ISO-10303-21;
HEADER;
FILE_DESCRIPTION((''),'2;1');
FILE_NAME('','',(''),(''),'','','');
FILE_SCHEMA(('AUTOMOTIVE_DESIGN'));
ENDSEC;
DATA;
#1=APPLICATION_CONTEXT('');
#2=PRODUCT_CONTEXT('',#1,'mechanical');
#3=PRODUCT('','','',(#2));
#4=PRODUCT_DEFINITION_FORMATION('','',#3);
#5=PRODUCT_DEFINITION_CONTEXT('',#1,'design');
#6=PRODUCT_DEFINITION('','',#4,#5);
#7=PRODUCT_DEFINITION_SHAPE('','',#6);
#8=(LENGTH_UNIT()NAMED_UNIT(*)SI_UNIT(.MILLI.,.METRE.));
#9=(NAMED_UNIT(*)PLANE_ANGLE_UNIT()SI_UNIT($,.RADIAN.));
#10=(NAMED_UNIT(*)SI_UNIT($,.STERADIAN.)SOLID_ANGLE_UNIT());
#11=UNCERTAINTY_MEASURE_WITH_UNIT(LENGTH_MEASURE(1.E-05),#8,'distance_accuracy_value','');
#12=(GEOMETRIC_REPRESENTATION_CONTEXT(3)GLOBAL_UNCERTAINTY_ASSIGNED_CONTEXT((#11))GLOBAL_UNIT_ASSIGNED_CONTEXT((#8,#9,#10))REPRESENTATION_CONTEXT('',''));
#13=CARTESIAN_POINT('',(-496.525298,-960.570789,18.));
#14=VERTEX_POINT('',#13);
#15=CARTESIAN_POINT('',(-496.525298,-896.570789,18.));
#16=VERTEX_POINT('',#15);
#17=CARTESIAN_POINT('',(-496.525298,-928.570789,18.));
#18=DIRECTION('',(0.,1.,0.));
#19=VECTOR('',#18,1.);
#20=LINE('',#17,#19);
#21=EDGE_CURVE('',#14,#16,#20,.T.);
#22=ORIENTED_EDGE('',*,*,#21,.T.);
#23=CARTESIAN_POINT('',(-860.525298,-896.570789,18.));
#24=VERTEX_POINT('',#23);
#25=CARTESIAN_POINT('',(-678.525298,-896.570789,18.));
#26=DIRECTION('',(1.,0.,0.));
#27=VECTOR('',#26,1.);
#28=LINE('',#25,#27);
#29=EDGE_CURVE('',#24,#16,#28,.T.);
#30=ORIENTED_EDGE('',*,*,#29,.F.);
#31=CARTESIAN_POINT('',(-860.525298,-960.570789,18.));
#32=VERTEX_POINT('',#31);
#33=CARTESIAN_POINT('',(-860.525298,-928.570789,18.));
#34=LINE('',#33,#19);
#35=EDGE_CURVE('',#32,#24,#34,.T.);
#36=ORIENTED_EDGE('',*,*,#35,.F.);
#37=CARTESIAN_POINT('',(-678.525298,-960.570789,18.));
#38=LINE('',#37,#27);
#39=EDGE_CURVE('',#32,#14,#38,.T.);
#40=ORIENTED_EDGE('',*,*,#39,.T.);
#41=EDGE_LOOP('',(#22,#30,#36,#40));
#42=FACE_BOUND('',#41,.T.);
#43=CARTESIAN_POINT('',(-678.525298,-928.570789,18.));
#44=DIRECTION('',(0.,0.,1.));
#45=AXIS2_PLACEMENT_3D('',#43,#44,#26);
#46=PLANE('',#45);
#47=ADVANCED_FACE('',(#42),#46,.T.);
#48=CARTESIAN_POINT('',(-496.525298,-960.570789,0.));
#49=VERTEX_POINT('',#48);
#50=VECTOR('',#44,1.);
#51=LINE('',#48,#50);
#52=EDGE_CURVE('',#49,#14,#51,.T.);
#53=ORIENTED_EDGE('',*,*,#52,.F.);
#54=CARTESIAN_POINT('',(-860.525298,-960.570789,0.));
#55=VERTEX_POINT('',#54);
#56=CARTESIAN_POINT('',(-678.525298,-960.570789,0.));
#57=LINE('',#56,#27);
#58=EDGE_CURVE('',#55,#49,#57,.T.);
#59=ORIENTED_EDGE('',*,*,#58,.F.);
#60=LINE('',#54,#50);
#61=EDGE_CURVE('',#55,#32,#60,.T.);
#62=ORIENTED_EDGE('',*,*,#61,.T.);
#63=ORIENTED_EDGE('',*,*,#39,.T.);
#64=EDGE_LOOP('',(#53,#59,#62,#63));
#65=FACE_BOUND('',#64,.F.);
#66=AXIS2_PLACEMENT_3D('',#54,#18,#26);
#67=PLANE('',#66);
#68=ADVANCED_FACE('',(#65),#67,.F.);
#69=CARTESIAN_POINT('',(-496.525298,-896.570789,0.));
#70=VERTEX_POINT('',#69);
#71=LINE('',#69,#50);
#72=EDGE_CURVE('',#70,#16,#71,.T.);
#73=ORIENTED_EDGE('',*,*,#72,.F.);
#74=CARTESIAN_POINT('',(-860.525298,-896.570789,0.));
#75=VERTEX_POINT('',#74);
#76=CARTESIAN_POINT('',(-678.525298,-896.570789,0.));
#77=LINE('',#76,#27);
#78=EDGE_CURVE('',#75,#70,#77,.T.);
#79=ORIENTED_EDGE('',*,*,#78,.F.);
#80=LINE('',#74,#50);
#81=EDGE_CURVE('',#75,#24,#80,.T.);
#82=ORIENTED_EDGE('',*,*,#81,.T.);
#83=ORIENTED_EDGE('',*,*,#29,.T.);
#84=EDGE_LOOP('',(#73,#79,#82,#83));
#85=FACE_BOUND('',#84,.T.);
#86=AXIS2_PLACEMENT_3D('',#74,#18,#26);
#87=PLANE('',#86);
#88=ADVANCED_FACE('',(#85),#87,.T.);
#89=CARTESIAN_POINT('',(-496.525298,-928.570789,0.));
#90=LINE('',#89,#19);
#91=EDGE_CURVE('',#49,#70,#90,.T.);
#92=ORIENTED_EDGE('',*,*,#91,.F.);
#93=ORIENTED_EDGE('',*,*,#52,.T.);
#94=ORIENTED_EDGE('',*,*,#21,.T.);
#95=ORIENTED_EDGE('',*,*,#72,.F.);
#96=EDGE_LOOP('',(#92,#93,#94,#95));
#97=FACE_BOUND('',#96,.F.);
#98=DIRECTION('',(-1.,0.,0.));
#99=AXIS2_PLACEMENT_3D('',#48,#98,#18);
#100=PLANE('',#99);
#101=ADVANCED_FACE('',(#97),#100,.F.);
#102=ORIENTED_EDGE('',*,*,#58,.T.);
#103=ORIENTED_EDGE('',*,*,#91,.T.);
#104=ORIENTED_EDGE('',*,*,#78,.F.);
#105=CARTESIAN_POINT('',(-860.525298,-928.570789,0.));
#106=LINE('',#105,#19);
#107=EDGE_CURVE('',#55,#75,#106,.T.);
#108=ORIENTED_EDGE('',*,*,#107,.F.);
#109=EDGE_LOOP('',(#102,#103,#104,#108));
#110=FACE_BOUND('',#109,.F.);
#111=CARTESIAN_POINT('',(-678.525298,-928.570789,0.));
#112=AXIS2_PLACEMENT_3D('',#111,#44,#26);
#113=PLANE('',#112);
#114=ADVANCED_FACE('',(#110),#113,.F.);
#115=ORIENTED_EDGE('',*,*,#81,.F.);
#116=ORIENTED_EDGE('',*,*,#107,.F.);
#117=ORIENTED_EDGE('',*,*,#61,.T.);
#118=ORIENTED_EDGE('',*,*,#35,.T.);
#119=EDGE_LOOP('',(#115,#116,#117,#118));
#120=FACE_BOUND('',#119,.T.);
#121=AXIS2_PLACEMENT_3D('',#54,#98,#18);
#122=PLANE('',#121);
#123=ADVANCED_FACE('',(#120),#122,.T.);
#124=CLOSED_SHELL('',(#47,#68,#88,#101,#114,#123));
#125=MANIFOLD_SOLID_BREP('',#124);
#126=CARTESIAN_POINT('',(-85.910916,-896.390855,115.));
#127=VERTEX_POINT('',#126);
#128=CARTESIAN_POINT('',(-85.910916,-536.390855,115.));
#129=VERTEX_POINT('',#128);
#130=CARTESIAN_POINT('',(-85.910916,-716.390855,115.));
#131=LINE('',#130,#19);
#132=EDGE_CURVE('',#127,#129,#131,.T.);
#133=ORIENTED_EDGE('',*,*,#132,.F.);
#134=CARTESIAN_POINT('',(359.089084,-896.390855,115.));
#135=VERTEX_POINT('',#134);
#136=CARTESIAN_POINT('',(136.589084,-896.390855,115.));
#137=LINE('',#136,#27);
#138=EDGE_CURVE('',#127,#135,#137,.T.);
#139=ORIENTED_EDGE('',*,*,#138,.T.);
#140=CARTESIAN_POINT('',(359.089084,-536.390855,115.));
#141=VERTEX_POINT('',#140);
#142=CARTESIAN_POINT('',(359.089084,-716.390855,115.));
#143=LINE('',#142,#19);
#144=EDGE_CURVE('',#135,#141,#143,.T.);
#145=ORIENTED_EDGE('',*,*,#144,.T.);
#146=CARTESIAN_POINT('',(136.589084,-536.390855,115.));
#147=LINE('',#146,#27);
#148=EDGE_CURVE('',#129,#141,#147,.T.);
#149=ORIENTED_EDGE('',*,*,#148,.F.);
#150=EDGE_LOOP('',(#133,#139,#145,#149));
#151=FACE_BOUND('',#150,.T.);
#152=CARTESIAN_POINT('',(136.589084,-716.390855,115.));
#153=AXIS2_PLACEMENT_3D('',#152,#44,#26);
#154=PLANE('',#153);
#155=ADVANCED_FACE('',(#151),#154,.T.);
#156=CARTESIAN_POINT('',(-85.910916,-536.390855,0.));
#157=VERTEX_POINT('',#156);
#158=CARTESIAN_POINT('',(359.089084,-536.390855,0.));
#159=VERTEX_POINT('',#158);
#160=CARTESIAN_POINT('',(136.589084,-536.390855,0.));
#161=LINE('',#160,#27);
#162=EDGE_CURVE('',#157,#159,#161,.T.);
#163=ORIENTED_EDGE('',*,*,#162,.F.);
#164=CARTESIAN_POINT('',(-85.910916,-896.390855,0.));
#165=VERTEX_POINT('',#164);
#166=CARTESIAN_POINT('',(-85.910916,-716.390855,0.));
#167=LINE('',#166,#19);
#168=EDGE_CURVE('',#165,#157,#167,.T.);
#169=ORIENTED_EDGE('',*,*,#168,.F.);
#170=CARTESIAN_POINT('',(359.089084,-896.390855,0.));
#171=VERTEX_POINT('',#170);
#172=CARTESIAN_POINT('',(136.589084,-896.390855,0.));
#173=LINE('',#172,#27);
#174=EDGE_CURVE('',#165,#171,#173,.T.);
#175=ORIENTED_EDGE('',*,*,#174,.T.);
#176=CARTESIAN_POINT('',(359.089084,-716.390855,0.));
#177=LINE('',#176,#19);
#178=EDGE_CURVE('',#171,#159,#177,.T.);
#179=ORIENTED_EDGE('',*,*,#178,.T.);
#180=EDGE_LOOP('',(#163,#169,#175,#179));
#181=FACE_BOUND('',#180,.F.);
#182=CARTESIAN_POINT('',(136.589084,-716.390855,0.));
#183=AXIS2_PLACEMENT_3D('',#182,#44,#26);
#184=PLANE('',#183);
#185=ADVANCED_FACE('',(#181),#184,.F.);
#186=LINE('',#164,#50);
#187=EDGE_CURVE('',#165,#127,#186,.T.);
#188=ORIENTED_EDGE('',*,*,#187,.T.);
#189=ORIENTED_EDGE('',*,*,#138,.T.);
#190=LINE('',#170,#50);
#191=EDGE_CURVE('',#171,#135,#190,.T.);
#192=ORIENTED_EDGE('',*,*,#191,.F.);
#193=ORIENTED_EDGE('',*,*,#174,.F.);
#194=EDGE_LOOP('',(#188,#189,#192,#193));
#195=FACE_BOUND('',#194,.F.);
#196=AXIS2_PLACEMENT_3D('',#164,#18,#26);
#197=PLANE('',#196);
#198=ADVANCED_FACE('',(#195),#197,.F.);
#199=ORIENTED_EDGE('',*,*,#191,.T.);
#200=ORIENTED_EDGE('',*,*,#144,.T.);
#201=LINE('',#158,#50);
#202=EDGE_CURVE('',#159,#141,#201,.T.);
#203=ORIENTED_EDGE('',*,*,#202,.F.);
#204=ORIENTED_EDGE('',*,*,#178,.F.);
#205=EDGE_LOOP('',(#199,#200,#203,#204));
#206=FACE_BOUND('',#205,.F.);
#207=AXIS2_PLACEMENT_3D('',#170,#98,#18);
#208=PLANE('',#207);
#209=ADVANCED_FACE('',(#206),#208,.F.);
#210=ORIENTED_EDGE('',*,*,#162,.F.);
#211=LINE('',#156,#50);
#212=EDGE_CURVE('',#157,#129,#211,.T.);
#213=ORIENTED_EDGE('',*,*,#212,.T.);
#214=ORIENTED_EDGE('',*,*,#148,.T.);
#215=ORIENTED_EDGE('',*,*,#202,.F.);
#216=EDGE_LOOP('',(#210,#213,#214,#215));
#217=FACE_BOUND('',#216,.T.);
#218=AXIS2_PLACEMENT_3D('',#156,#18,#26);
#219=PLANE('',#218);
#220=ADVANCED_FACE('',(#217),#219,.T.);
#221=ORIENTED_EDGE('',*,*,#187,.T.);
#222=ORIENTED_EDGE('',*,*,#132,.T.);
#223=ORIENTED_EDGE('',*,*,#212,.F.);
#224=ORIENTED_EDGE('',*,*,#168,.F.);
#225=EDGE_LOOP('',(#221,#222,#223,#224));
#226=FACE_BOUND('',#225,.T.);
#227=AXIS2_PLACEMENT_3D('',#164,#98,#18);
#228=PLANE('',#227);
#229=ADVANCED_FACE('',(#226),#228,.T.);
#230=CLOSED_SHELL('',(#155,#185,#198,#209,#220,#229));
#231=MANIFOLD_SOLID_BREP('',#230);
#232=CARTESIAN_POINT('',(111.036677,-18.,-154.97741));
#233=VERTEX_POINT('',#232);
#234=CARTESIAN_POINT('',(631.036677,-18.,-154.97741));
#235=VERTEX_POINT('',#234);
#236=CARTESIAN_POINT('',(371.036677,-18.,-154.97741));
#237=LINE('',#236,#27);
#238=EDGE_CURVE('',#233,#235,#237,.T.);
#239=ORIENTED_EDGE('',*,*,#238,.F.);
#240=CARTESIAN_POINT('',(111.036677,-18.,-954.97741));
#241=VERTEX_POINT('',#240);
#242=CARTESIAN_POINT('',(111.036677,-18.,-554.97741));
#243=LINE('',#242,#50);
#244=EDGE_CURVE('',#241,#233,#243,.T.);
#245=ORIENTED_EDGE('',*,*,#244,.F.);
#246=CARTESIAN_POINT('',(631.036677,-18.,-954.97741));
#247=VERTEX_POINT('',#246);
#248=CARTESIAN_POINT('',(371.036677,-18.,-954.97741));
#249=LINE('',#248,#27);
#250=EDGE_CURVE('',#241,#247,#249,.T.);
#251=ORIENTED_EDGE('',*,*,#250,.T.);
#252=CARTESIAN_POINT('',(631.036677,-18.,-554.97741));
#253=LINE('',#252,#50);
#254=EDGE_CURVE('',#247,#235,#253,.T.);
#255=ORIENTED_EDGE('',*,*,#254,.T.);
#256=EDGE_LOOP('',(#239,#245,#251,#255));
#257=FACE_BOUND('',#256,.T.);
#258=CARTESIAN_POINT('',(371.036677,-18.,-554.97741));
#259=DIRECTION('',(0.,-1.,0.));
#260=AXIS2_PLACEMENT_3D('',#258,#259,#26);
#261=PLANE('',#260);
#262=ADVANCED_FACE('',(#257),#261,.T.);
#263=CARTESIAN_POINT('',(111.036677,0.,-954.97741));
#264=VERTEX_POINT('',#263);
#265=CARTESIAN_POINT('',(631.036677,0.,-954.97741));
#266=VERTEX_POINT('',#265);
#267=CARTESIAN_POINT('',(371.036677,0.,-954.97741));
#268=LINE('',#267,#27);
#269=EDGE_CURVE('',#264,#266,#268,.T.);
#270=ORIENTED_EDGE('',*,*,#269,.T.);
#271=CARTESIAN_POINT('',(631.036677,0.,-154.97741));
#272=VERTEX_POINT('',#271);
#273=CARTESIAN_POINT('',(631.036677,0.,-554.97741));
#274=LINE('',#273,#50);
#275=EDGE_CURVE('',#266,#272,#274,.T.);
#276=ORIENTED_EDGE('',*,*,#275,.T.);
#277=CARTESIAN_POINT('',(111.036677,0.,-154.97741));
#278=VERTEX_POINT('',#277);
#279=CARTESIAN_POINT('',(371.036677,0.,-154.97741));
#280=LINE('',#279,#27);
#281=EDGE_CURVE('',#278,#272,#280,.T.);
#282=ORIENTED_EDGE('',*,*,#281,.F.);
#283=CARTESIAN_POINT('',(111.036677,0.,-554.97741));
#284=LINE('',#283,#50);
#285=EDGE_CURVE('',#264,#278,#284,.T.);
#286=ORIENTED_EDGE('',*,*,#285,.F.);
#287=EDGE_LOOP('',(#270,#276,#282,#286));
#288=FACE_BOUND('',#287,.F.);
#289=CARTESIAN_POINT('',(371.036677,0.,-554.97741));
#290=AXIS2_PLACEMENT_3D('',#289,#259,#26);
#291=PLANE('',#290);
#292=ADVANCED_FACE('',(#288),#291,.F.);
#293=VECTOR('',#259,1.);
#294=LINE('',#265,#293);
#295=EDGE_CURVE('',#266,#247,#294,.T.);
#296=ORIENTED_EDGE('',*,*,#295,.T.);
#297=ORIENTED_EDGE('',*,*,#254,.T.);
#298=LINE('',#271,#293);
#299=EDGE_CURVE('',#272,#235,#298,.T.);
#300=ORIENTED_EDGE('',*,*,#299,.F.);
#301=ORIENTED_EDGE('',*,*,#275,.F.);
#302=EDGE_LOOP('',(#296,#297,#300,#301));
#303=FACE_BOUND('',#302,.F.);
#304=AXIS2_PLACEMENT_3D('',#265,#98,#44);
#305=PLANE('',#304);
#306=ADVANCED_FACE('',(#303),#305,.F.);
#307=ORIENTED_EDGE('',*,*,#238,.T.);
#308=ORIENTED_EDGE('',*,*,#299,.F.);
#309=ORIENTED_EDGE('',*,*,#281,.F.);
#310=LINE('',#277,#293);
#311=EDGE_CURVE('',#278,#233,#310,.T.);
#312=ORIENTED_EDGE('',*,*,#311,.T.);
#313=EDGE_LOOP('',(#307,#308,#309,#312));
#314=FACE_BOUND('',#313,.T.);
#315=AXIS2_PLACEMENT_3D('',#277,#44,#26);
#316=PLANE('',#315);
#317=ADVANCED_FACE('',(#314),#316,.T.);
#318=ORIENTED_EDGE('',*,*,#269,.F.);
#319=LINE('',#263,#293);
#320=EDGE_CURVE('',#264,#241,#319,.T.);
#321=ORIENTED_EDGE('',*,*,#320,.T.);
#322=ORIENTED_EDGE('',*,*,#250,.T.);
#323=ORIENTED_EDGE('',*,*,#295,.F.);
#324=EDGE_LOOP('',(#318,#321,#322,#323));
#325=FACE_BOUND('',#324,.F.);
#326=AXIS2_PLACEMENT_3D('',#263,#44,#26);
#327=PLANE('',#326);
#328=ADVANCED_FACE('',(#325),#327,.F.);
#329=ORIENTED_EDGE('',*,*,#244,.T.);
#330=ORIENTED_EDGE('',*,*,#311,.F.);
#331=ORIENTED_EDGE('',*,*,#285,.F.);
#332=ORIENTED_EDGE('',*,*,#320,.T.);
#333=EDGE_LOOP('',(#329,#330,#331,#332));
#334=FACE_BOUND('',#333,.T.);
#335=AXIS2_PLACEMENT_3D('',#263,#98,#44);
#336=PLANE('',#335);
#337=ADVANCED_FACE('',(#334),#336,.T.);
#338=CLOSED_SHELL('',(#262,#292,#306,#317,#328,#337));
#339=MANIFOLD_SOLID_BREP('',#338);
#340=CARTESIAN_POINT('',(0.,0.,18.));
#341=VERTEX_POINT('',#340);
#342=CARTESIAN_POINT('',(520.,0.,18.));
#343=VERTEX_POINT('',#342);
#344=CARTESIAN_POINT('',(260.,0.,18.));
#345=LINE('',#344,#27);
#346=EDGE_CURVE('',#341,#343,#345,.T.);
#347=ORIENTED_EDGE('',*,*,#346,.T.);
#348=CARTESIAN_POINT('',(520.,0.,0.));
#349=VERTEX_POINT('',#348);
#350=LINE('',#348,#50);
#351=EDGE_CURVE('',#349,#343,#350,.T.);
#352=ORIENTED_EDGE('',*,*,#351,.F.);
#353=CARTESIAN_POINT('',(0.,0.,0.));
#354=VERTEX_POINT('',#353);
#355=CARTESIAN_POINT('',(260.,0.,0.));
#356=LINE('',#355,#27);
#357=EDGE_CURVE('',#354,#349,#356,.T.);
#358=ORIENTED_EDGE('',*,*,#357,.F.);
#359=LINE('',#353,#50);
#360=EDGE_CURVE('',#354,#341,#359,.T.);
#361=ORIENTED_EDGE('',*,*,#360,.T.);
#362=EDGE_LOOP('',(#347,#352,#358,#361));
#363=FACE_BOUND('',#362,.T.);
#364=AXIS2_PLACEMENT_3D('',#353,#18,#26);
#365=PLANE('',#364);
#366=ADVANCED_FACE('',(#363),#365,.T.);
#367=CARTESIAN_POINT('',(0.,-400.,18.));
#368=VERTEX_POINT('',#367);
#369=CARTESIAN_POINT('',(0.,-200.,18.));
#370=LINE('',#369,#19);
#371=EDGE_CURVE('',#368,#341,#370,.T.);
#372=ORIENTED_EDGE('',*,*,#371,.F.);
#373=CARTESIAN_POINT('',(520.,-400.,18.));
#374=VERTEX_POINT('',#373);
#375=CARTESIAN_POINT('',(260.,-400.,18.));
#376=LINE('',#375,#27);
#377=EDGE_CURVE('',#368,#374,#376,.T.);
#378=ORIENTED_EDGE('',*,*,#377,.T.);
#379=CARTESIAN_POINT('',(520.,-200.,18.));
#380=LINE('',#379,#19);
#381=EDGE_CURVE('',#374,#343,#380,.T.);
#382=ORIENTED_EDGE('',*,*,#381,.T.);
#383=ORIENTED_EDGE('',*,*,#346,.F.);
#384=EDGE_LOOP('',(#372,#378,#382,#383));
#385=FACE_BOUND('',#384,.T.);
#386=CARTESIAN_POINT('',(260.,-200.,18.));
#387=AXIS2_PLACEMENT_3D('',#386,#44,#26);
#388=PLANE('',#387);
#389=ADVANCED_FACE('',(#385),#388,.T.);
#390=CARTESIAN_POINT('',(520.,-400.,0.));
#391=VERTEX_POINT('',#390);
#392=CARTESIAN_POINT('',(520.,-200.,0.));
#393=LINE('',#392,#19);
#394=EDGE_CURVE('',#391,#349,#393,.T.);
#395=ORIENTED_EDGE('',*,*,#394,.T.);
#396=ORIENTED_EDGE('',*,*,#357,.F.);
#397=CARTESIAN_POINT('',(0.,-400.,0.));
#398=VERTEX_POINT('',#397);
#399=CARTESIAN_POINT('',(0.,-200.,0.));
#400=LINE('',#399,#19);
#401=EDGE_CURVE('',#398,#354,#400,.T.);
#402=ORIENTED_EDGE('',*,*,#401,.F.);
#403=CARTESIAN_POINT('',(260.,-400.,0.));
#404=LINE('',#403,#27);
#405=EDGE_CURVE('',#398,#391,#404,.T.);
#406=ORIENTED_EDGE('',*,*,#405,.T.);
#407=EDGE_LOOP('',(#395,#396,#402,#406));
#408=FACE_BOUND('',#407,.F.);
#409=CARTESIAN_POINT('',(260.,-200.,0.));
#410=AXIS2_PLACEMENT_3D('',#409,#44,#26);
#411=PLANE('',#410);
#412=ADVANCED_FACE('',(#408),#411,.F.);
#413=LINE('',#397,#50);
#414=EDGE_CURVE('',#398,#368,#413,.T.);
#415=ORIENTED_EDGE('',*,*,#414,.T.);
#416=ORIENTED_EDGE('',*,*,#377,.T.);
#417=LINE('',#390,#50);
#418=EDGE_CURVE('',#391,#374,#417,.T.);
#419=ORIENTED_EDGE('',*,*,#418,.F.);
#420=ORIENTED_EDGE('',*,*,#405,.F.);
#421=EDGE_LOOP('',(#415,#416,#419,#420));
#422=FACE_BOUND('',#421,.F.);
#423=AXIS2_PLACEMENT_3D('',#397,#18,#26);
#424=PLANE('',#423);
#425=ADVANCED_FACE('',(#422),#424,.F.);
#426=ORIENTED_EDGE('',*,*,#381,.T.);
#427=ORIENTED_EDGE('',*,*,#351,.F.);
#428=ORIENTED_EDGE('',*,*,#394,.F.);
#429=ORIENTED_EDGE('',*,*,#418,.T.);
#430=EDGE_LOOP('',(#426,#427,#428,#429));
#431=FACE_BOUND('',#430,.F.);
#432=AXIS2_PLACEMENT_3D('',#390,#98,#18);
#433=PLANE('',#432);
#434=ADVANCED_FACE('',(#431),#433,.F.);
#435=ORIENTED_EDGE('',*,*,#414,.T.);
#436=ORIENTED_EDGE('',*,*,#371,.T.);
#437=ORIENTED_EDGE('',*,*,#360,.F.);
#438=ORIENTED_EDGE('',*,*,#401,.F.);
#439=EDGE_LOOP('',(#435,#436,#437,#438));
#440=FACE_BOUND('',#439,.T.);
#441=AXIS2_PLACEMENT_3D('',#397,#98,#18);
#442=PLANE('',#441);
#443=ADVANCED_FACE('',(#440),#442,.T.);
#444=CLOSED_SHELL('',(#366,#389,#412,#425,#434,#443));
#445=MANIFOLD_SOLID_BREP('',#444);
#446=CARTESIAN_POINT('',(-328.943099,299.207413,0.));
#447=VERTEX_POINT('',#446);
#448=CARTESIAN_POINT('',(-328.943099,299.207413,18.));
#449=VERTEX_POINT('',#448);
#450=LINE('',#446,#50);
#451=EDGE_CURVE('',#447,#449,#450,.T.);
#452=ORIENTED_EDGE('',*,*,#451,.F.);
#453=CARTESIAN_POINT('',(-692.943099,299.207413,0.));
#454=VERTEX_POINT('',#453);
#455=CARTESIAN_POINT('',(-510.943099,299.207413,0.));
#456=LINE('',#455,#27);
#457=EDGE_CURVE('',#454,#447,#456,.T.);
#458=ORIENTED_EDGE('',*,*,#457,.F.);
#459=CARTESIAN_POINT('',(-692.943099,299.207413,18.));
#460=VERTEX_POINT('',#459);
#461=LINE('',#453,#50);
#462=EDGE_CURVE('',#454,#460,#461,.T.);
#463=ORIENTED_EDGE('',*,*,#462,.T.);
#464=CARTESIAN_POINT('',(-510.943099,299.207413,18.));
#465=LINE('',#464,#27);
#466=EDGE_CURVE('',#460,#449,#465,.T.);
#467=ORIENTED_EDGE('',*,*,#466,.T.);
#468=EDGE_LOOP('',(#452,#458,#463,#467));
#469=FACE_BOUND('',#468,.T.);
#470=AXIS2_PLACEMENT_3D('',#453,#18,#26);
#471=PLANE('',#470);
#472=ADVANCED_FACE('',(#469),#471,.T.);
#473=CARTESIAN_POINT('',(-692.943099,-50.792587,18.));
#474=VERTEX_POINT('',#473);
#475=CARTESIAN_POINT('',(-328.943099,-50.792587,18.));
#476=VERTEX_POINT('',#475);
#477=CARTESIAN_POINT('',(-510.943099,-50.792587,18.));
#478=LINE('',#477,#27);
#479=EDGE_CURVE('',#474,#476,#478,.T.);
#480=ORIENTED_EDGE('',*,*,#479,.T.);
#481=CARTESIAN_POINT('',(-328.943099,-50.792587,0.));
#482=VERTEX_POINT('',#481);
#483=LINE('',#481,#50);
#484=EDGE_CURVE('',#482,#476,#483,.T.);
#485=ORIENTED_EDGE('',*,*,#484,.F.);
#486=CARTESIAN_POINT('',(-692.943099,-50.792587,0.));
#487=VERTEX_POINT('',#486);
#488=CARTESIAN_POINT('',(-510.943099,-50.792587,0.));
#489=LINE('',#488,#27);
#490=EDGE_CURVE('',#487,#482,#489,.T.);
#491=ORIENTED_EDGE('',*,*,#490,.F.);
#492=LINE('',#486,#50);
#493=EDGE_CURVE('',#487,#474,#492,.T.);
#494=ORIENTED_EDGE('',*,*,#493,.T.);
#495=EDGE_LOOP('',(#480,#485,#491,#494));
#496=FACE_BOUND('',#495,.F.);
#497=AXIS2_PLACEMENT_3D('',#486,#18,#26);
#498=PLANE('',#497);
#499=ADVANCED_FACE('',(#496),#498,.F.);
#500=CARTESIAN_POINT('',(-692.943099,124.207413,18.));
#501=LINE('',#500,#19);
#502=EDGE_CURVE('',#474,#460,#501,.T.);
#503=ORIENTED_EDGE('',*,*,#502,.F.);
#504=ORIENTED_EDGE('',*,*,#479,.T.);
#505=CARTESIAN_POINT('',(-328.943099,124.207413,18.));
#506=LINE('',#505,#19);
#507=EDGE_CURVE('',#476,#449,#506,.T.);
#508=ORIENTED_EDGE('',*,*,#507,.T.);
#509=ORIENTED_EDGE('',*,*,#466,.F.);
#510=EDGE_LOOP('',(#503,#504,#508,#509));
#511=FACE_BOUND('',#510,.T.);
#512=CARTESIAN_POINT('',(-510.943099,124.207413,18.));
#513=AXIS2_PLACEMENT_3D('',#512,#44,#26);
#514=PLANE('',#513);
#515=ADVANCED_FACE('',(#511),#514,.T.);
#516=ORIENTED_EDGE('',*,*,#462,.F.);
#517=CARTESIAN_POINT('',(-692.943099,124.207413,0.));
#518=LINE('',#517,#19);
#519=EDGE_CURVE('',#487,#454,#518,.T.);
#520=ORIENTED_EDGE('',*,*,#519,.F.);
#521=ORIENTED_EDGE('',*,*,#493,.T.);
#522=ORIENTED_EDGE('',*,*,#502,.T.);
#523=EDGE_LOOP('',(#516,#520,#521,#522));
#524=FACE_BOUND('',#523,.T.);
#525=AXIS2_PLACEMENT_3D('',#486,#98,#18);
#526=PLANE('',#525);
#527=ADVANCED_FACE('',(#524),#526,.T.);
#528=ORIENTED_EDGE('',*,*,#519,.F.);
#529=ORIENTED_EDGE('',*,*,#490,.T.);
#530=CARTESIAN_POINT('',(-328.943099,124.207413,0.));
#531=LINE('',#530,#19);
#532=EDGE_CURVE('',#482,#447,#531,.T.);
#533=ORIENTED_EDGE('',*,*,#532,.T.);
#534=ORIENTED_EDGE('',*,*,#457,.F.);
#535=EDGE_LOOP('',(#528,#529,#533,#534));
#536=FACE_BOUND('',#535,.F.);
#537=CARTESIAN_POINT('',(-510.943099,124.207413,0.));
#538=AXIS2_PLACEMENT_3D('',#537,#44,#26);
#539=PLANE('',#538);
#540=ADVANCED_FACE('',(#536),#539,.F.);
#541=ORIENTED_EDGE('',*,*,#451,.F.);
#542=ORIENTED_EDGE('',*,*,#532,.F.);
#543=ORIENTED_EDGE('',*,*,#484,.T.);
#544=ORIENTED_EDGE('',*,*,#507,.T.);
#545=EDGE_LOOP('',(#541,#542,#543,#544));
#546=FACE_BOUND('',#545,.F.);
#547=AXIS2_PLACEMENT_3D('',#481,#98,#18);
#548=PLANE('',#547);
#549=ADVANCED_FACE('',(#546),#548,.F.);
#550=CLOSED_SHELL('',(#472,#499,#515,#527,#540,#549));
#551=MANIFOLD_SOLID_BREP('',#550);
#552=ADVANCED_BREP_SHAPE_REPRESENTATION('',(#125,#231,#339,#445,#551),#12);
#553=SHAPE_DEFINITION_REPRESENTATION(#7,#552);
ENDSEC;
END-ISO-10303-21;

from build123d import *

# Parameters (mm, degrees)
F0_W     = 520
F0_H     = 400
F1_DEPTH = 18
F2_W     = 520
F2_H     = 800
F3_DEPTH = 18
F4_W     = 364
F4_H     = 350
F5_DEPTH = 18
F6_W     = 364
F6_H     = 64
F7_DEPTH = 18
F8_W     = 445
F8_H     = 360
F9_DEPTH = 115


with BuildPart() as f1:
    # F0 (on Top) → F1 (new body)
    with BuildSketch(Plane.XY):
        with Locations((260, -200)):
            Rectangle(F0_W, F0_H)
    extrude(amount=F1_DEPTH)


with BuildPart() as f3:
    # F2 (on Front) → F3 (new body)
    with BuildSketch(Plane.XZ):
        with Locations((371.036677, -554.97741)):
            Rectangle(F2_W, F2_H)
    extrude(amount=F3_DEPTH)


with BuildPart() as f5:
    # F4 (on Top) → F5 (new body)
    with BuildSketch(Plane.XY):
        with Locations((-510.943099, 124.207413)):
            Rectangle(F4_W, F4_H)
    extrude(amount=F5_DEPTH)


with BuildPart() as f7:
    # F6 (on Top) → F7 (new body)
    with BuildSketch(Plane.XY):
        with Locations((-678.525298, -928.570789)):
            Rectangle(F6_W, F6_H)
    extrude(amount=F7_DEPTH)


with BuildPart() as f9:
    # F8 (on Top) → F9 (new body)
    with BuildSketch(Plane.XY):
        with Locations((136.589084, -716.390855)):
            Rectangle(F8_W, F8_H)
    extrude(amount=F9_DEPTH)


solid = Compound([f1.part, f3.part, f5.part, f7.part, f9.part])
